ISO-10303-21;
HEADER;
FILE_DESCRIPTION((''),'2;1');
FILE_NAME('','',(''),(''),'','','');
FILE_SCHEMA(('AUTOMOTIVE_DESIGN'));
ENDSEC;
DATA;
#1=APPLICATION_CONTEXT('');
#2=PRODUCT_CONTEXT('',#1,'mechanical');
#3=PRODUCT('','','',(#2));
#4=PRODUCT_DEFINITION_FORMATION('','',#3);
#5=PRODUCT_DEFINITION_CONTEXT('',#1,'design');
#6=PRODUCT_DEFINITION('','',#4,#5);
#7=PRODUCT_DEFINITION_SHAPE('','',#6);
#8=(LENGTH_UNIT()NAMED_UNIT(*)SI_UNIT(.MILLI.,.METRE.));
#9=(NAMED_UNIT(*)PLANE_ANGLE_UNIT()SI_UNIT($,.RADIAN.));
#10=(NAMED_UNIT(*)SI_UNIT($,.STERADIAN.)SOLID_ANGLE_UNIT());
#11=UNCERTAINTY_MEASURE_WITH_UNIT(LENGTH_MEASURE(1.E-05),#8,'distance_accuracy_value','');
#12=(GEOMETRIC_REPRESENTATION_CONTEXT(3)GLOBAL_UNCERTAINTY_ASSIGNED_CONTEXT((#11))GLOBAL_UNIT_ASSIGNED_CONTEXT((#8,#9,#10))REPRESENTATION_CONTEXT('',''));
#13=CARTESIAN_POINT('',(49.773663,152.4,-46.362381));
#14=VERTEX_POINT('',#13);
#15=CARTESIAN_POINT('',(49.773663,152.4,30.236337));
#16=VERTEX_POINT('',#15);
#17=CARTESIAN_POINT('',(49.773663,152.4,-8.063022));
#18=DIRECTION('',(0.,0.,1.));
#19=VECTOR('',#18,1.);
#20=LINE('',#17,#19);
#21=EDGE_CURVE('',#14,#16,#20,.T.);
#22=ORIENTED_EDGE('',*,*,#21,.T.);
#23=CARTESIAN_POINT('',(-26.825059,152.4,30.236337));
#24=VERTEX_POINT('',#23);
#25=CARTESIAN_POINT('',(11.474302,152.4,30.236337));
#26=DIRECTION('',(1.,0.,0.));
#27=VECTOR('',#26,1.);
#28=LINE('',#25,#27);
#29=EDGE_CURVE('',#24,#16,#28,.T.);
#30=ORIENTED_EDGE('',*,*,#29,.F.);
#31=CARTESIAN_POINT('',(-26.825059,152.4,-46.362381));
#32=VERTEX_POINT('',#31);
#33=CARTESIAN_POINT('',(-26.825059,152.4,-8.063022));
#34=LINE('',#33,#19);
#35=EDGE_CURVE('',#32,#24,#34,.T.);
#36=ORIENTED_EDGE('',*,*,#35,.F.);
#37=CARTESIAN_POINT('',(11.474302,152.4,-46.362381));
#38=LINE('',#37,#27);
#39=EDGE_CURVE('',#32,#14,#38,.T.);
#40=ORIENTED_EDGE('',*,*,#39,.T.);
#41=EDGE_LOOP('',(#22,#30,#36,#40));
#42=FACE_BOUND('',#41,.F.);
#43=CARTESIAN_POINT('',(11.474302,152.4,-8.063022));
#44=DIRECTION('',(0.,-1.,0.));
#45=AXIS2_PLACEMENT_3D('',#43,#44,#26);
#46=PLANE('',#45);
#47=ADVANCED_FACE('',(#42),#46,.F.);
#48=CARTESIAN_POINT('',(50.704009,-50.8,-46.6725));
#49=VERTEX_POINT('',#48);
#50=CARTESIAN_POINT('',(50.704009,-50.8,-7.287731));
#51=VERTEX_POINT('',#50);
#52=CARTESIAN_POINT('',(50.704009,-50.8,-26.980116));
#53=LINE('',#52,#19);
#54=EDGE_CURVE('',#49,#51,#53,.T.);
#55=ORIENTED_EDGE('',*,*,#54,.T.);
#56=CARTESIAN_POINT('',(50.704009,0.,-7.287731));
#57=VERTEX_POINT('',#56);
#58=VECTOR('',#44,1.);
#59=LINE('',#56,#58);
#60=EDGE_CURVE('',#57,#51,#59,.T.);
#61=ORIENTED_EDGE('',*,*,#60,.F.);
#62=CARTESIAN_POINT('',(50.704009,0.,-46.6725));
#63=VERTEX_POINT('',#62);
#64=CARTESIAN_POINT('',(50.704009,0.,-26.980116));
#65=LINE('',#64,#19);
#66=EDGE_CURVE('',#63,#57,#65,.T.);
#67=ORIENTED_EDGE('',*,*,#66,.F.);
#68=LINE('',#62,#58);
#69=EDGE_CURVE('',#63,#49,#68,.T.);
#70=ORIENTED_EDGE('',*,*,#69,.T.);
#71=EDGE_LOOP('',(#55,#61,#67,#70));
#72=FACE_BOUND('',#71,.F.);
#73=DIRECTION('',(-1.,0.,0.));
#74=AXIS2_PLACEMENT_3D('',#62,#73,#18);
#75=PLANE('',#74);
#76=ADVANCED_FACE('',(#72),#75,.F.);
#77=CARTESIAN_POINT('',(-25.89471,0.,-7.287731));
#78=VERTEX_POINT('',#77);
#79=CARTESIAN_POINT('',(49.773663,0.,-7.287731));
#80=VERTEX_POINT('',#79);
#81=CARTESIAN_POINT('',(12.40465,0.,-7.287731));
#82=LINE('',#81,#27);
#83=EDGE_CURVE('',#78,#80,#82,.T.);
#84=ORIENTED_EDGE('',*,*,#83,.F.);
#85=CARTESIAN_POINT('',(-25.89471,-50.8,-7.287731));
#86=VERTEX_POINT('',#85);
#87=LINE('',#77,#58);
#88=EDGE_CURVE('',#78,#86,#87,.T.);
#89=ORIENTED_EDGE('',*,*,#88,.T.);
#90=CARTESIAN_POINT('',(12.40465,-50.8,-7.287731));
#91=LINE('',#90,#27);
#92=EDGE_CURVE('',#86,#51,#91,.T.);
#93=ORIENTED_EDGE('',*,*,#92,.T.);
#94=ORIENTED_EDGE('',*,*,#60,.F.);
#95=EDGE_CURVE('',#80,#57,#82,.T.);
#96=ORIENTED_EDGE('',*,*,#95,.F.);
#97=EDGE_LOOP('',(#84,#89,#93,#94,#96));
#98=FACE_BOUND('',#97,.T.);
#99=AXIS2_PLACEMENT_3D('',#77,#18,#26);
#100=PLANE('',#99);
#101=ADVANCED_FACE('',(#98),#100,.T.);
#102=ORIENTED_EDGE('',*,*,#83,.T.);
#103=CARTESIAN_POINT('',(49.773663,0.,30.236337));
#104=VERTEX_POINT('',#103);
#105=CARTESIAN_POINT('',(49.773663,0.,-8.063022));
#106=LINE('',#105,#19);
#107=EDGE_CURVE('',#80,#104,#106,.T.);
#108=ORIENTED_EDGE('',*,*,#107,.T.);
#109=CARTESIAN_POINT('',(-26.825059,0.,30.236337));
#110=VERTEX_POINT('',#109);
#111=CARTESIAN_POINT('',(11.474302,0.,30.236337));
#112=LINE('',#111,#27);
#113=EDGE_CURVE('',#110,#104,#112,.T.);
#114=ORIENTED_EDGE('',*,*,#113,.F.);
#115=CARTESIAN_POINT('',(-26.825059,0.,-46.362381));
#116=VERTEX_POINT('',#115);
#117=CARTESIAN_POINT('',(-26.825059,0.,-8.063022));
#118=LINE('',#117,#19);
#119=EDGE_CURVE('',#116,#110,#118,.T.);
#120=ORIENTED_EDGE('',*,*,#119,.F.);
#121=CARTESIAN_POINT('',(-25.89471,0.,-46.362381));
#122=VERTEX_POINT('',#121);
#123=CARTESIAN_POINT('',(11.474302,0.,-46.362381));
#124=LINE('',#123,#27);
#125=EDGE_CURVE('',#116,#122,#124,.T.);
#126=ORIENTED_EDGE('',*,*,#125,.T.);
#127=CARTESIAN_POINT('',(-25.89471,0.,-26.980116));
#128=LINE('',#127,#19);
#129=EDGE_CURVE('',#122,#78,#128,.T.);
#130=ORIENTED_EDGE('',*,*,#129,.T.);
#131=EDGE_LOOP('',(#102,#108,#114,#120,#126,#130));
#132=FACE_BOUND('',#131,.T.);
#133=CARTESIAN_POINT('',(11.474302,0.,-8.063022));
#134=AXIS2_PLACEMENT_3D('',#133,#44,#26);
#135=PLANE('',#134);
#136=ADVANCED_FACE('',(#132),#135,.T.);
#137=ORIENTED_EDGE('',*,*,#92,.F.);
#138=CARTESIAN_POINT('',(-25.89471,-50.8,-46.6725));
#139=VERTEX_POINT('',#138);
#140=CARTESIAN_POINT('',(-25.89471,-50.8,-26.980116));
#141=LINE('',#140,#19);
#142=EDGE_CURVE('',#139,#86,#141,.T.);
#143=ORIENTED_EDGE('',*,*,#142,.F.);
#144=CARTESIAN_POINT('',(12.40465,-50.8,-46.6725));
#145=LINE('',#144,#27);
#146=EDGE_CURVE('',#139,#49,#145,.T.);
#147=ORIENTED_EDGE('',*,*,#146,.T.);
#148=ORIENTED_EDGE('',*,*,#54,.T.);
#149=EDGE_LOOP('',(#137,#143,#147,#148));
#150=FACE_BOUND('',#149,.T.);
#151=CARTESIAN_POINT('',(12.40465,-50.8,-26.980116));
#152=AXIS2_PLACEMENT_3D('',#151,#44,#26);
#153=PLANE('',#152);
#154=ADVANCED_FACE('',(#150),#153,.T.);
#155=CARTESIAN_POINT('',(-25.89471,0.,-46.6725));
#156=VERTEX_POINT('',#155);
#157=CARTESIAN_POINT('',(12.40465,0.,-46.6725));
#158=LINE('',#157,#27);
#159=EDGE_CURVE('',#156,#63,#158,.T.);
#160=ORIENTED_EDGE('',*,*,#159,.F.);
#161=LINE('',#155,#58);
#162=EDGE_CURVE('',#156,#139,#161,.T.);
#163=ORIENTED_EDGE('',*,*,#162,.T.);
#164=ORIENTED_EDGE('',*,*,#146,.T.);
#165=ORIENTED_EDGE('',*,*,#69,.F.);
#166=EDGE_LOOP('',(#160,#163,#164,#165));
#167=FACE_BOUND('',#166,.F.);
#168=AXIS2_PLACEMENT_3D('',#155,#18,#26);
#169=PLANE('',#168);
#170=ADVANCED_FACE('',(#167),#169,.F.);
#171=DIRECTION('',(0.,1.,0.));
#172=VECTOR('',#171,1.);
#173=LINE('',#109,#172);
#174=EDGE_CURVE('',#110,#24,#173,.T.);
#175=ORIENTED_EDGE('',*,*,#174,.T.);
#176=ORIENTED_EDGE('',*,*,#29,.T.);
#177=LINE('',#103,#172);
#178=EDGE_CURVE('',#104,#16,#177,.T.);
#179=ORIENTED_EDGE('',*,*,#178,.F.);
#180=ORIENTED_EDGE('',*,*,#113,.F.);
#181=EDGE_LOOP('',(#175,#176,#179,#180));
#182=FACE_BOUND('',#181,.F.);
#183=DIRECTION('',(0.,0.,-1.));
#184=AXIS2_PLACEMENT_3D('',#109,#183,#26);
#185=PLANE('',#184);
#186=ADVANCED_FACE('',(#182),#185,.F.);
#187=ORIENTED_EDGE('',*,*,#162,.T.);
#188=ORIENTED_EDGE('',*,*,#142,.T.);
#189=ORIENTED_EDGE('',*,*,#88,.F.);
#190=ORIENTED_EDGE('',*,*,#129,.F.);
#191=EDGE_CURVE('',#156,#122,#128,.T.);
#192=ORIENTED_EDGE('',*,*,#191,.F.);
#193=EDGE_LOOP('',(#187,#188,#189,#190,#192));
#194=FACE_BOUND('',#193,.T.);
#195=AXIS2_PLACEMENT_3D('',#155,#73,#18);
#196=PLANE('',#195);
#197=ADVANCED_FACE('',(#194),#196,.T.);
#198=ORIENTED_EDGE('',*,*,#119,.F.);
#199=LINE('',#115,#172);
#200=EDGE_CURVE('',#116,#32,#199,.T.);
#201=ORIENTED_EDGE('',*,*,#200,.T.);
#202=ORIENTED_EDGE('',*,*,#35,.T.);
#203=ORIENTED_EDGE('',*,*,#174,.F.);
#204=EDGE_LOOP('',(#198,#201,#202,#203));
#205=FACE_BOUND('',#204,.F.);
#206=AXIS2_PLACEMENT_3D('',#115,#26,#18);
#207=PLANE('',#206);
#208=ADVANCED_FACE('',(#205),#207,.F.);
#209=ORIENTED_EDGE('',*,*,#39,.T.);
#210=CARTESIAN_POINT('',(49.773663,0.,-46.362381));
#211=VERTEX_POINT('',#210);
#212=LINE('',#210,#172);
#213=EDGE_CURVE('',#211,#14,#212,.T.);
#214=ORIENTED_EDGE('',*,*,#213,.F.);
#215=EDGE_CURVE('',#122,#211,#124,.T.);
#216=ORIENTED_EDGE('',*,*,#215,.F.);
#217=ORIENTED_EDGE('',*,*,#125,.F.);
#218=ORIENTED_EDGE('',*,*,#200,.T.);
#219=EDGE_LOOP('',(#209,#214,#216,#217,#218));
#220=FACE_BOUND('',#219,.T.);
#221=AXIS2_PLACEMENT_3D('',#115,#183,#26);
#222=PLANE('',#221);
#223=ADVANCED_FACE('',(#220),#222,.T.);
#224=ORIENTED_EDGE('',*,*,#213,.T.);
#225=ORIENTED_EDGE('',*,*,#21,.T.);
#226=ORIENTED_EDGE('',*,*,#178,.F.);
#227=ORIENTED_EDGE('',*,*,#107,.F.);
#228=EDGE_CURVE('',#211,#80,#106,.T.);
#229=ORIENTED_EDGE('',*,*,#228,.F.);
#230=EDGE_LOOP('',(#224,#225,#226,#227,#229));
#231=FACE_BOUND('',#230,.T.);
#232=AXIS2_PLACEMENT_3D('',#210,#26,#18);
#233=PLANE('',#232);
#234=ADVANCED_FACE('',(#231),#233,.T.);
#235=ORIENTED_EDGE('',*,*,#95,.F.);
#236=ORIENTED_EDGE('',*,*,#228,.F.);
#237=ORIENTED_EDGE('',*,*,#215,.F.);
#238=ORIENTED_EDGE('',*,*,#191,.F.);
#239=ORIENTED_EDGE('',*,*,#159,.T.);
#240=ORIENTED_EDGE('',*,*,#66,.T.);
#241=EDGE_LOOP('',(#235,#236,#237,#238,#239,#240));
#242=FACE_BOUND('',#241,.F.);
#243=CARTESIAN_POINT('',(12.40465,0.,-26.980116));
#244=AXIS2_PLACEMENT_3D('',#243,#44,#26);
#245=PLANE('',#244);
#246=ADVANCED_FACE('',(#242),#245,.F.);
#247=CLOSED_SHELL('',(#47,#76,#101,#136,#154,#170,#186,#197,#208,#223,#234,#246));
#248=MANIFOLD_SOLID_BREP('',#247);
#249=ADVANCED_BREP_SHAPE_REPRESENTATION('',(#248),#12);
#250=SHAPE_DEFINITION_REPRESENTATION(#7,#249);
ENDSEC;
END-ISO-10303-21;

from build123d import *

# Parameters (mm, degrees)
F0_W     = 76.598722
F0_H     = 76.598718
F1_DEPTH = 152.4
F2_W     = 76.598719
F2_H     = 39.384769
F3_DEPTH = 50.8


with BuildPart() as f1:
    # F0 (on Front) → F1 (new body)
    with BuildSketch(Plane.XZ):
        with Locations((11.474302, -8.063022)):
            Rectangle(F0_W, F0_H)
    extrude(amount=-F1_DEPTH)

    # F2 (on Front) → F3 (join)
    with BuildSketch(Plane.XZ):
        with Locations((12.40465, -26.980116)):
            Rectangle(F2_W, F2_H)
    extrude(amount=F3_DEPTH)


solid = f1.part
